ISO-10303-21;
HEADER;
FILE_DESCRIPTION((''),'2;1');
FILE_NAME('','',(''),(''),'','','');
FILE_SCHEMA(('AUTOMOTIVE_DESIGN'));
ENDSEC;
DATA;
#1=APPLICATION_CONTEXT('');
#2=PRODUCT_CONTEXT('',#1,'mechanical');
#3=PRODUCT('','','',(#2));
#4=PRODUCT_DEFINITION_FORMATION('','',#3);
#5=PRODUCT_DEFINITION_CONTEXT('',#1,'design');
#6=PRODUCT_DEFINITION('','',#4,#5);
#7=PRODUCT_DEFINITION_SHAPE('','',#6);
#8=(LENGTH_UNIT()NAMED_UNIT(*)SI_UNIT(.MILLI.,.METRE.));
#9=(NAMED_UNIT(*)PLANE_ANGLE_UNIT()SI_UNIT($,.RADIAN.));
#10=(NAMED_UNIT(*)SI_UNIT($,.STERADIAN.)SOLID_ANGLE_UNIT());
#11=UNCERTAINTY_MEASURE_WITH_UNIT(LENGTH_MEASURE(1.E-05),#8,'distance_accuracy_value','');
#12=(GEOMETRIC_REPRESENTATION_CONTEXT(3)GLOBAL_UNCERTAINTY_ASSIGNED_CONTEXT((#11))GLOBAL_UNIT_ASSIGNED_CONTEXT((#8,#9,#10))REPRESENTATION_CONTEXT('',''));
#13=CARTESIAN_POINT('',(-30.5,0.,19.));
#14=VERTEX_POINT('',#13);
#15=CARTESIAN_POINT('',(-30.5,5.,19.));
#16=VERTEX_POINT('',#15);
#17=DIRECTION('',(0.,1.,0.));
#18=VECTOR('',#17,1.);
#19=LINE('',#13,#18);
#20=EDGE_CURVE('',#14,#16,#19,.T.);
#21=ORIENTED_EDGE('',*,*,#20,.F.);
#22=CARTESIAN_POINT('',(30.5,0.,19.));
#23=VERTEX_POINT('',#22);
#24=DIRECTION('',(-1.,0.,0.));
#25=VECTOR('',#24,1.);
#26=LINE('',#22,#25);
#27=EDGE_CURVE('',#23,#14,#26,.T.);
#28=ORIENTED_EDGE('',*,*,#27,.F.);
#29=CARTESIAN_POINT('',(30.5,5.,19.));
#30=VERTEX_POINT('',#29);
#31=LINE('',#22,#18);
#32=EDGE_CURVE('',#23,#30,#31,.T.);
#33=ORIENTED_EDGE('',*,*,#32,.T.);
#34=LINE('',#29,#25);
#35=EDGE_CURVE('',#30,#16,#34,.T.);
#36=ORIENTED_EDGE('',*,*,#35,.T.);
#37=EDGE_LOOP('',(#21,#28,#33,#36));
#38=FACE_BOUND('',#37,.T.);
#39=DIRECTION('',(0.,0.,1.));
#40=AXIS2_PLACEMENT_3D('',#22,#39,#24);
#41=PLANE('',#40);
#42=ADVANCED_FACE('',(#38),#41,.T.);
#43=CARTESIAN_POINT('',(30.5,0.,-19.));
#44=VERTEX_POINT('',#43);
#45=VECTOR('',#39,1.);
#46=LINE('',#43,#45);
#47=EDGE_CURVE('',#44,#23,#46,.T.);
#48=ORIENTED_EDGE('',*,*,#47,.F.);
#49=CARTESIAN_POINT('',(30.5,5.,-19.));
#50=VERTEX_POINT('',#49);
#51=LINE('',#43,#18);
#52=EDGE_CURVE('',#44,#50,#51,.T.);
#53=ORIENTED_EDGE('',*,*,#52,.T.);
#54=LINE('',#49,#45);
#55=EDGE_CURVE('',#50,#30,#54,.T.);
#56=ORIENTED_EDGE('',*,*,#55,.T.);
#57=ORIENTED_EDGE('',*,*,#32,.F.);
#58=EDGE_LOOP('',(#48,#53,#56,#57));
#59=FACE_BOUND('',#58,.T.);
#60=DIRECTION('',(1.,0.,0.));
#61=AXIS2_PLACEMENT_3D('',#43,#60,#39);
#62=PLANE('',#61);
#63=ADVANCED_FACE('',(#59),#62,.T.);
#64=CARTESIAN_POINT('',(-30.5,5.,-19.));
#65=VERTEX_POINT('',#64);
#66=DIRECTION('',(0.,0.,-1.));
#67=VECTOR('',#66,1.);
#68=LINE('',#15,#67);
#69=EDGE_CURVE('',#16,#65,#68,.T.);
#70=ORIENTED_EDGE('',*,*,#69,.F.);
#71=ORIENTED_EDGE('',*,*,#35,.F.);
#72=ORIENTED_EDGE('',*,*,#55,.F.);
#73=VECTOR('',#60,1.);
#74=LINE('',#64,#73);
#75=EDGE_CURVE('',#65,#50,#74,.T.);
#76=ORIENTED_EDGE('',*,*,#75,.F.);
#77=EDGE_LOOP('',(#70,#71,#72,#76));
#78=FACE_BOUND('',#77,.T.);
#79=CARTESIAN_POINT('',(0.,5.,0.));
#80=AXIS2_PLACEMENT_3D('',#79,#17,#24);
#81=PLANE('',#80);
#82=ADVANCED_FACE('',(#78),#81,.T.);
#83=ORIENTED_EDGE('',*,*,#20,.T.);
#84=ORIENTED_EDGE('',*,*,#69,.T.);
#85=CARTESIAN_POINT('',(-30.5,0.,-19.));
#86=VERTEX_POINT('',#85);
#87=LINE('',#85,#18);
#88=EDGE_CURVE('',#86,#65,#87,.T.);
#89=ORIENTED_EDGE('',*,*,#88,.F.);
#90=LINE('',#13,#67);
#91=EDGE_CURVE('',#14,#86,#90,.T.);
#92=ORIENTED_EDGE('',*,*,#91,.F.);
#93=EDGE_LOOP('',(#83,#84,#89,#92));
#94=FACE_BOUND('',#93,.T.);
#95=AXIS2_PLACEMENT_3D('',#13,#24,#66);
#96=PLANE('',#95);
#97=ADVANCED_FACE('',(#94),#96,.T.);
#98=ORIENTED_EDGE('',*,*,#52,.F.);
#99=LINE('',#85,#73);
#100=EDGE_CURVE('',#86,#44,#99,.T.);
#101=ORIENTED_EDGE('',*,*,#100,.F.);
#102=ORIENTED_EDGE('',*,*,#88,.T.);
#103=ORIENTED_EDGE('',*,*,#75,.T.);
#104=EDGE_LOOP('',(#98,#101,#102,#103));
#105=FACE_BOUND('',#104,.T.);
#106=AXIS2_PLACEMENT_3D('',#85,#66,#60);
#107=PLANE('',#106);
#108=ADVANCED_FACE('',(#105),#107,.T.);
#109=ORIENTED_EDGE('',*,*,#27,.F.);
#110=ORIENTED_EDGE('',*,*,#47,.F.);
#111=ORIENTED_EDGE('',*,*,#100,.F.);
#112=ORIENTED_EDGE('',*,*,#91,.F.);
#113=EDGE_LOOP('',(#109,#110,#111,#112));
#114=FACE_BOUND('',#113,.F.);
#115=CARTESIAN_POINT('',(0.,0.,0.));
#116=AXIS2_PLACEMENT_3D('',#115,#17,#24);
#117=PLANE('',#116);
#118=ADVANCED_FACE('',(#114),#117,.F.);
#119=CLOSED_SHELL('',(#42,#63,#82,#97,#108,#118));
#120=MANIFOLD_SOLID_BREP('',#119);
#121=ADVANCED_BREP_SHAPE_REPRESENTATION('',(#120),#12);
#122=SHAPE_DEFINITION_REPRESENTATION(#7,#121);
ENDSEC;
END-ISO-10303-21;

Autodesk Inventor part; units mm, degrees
ref_plane "YZ Plane" through (0, 0, 0) normal (1, 0, 0) x (0, 1, 0)
ref_plane "XZ Plane" through (0, 0, 0) normal (0, 1, 0) x (-1, 0, 0)
ref_plane "XY Plane" through (0, 0, 0) normal (0, 0, 1) x (1, 0, 0)
sketch "Sketch1" plane through (0, 0, 0) normal (0, 1, 0) x (-1, 0, 0)
  line L0 (-30.5, 19) -> (30.5, 19)
  line L1 (30.5, 19) -> (30.5, -19)
  line L2 (30.5, -19) -> (-30.5, -19)
  line L3 (-30.5, -19) -> (-30.5, 19)
  line L4 (-30.5, 19) -> (30.5, -19) construction
  line L5 (30.5, 19) -> (-30.5, -19) construction
  point P0 (0, 0)
  dimension "d0" = 61
  dimension "d1" = 38
extrude "Extrusion1" add sketch "Sketch1" along normal blind 5
properties part number "Battery"
